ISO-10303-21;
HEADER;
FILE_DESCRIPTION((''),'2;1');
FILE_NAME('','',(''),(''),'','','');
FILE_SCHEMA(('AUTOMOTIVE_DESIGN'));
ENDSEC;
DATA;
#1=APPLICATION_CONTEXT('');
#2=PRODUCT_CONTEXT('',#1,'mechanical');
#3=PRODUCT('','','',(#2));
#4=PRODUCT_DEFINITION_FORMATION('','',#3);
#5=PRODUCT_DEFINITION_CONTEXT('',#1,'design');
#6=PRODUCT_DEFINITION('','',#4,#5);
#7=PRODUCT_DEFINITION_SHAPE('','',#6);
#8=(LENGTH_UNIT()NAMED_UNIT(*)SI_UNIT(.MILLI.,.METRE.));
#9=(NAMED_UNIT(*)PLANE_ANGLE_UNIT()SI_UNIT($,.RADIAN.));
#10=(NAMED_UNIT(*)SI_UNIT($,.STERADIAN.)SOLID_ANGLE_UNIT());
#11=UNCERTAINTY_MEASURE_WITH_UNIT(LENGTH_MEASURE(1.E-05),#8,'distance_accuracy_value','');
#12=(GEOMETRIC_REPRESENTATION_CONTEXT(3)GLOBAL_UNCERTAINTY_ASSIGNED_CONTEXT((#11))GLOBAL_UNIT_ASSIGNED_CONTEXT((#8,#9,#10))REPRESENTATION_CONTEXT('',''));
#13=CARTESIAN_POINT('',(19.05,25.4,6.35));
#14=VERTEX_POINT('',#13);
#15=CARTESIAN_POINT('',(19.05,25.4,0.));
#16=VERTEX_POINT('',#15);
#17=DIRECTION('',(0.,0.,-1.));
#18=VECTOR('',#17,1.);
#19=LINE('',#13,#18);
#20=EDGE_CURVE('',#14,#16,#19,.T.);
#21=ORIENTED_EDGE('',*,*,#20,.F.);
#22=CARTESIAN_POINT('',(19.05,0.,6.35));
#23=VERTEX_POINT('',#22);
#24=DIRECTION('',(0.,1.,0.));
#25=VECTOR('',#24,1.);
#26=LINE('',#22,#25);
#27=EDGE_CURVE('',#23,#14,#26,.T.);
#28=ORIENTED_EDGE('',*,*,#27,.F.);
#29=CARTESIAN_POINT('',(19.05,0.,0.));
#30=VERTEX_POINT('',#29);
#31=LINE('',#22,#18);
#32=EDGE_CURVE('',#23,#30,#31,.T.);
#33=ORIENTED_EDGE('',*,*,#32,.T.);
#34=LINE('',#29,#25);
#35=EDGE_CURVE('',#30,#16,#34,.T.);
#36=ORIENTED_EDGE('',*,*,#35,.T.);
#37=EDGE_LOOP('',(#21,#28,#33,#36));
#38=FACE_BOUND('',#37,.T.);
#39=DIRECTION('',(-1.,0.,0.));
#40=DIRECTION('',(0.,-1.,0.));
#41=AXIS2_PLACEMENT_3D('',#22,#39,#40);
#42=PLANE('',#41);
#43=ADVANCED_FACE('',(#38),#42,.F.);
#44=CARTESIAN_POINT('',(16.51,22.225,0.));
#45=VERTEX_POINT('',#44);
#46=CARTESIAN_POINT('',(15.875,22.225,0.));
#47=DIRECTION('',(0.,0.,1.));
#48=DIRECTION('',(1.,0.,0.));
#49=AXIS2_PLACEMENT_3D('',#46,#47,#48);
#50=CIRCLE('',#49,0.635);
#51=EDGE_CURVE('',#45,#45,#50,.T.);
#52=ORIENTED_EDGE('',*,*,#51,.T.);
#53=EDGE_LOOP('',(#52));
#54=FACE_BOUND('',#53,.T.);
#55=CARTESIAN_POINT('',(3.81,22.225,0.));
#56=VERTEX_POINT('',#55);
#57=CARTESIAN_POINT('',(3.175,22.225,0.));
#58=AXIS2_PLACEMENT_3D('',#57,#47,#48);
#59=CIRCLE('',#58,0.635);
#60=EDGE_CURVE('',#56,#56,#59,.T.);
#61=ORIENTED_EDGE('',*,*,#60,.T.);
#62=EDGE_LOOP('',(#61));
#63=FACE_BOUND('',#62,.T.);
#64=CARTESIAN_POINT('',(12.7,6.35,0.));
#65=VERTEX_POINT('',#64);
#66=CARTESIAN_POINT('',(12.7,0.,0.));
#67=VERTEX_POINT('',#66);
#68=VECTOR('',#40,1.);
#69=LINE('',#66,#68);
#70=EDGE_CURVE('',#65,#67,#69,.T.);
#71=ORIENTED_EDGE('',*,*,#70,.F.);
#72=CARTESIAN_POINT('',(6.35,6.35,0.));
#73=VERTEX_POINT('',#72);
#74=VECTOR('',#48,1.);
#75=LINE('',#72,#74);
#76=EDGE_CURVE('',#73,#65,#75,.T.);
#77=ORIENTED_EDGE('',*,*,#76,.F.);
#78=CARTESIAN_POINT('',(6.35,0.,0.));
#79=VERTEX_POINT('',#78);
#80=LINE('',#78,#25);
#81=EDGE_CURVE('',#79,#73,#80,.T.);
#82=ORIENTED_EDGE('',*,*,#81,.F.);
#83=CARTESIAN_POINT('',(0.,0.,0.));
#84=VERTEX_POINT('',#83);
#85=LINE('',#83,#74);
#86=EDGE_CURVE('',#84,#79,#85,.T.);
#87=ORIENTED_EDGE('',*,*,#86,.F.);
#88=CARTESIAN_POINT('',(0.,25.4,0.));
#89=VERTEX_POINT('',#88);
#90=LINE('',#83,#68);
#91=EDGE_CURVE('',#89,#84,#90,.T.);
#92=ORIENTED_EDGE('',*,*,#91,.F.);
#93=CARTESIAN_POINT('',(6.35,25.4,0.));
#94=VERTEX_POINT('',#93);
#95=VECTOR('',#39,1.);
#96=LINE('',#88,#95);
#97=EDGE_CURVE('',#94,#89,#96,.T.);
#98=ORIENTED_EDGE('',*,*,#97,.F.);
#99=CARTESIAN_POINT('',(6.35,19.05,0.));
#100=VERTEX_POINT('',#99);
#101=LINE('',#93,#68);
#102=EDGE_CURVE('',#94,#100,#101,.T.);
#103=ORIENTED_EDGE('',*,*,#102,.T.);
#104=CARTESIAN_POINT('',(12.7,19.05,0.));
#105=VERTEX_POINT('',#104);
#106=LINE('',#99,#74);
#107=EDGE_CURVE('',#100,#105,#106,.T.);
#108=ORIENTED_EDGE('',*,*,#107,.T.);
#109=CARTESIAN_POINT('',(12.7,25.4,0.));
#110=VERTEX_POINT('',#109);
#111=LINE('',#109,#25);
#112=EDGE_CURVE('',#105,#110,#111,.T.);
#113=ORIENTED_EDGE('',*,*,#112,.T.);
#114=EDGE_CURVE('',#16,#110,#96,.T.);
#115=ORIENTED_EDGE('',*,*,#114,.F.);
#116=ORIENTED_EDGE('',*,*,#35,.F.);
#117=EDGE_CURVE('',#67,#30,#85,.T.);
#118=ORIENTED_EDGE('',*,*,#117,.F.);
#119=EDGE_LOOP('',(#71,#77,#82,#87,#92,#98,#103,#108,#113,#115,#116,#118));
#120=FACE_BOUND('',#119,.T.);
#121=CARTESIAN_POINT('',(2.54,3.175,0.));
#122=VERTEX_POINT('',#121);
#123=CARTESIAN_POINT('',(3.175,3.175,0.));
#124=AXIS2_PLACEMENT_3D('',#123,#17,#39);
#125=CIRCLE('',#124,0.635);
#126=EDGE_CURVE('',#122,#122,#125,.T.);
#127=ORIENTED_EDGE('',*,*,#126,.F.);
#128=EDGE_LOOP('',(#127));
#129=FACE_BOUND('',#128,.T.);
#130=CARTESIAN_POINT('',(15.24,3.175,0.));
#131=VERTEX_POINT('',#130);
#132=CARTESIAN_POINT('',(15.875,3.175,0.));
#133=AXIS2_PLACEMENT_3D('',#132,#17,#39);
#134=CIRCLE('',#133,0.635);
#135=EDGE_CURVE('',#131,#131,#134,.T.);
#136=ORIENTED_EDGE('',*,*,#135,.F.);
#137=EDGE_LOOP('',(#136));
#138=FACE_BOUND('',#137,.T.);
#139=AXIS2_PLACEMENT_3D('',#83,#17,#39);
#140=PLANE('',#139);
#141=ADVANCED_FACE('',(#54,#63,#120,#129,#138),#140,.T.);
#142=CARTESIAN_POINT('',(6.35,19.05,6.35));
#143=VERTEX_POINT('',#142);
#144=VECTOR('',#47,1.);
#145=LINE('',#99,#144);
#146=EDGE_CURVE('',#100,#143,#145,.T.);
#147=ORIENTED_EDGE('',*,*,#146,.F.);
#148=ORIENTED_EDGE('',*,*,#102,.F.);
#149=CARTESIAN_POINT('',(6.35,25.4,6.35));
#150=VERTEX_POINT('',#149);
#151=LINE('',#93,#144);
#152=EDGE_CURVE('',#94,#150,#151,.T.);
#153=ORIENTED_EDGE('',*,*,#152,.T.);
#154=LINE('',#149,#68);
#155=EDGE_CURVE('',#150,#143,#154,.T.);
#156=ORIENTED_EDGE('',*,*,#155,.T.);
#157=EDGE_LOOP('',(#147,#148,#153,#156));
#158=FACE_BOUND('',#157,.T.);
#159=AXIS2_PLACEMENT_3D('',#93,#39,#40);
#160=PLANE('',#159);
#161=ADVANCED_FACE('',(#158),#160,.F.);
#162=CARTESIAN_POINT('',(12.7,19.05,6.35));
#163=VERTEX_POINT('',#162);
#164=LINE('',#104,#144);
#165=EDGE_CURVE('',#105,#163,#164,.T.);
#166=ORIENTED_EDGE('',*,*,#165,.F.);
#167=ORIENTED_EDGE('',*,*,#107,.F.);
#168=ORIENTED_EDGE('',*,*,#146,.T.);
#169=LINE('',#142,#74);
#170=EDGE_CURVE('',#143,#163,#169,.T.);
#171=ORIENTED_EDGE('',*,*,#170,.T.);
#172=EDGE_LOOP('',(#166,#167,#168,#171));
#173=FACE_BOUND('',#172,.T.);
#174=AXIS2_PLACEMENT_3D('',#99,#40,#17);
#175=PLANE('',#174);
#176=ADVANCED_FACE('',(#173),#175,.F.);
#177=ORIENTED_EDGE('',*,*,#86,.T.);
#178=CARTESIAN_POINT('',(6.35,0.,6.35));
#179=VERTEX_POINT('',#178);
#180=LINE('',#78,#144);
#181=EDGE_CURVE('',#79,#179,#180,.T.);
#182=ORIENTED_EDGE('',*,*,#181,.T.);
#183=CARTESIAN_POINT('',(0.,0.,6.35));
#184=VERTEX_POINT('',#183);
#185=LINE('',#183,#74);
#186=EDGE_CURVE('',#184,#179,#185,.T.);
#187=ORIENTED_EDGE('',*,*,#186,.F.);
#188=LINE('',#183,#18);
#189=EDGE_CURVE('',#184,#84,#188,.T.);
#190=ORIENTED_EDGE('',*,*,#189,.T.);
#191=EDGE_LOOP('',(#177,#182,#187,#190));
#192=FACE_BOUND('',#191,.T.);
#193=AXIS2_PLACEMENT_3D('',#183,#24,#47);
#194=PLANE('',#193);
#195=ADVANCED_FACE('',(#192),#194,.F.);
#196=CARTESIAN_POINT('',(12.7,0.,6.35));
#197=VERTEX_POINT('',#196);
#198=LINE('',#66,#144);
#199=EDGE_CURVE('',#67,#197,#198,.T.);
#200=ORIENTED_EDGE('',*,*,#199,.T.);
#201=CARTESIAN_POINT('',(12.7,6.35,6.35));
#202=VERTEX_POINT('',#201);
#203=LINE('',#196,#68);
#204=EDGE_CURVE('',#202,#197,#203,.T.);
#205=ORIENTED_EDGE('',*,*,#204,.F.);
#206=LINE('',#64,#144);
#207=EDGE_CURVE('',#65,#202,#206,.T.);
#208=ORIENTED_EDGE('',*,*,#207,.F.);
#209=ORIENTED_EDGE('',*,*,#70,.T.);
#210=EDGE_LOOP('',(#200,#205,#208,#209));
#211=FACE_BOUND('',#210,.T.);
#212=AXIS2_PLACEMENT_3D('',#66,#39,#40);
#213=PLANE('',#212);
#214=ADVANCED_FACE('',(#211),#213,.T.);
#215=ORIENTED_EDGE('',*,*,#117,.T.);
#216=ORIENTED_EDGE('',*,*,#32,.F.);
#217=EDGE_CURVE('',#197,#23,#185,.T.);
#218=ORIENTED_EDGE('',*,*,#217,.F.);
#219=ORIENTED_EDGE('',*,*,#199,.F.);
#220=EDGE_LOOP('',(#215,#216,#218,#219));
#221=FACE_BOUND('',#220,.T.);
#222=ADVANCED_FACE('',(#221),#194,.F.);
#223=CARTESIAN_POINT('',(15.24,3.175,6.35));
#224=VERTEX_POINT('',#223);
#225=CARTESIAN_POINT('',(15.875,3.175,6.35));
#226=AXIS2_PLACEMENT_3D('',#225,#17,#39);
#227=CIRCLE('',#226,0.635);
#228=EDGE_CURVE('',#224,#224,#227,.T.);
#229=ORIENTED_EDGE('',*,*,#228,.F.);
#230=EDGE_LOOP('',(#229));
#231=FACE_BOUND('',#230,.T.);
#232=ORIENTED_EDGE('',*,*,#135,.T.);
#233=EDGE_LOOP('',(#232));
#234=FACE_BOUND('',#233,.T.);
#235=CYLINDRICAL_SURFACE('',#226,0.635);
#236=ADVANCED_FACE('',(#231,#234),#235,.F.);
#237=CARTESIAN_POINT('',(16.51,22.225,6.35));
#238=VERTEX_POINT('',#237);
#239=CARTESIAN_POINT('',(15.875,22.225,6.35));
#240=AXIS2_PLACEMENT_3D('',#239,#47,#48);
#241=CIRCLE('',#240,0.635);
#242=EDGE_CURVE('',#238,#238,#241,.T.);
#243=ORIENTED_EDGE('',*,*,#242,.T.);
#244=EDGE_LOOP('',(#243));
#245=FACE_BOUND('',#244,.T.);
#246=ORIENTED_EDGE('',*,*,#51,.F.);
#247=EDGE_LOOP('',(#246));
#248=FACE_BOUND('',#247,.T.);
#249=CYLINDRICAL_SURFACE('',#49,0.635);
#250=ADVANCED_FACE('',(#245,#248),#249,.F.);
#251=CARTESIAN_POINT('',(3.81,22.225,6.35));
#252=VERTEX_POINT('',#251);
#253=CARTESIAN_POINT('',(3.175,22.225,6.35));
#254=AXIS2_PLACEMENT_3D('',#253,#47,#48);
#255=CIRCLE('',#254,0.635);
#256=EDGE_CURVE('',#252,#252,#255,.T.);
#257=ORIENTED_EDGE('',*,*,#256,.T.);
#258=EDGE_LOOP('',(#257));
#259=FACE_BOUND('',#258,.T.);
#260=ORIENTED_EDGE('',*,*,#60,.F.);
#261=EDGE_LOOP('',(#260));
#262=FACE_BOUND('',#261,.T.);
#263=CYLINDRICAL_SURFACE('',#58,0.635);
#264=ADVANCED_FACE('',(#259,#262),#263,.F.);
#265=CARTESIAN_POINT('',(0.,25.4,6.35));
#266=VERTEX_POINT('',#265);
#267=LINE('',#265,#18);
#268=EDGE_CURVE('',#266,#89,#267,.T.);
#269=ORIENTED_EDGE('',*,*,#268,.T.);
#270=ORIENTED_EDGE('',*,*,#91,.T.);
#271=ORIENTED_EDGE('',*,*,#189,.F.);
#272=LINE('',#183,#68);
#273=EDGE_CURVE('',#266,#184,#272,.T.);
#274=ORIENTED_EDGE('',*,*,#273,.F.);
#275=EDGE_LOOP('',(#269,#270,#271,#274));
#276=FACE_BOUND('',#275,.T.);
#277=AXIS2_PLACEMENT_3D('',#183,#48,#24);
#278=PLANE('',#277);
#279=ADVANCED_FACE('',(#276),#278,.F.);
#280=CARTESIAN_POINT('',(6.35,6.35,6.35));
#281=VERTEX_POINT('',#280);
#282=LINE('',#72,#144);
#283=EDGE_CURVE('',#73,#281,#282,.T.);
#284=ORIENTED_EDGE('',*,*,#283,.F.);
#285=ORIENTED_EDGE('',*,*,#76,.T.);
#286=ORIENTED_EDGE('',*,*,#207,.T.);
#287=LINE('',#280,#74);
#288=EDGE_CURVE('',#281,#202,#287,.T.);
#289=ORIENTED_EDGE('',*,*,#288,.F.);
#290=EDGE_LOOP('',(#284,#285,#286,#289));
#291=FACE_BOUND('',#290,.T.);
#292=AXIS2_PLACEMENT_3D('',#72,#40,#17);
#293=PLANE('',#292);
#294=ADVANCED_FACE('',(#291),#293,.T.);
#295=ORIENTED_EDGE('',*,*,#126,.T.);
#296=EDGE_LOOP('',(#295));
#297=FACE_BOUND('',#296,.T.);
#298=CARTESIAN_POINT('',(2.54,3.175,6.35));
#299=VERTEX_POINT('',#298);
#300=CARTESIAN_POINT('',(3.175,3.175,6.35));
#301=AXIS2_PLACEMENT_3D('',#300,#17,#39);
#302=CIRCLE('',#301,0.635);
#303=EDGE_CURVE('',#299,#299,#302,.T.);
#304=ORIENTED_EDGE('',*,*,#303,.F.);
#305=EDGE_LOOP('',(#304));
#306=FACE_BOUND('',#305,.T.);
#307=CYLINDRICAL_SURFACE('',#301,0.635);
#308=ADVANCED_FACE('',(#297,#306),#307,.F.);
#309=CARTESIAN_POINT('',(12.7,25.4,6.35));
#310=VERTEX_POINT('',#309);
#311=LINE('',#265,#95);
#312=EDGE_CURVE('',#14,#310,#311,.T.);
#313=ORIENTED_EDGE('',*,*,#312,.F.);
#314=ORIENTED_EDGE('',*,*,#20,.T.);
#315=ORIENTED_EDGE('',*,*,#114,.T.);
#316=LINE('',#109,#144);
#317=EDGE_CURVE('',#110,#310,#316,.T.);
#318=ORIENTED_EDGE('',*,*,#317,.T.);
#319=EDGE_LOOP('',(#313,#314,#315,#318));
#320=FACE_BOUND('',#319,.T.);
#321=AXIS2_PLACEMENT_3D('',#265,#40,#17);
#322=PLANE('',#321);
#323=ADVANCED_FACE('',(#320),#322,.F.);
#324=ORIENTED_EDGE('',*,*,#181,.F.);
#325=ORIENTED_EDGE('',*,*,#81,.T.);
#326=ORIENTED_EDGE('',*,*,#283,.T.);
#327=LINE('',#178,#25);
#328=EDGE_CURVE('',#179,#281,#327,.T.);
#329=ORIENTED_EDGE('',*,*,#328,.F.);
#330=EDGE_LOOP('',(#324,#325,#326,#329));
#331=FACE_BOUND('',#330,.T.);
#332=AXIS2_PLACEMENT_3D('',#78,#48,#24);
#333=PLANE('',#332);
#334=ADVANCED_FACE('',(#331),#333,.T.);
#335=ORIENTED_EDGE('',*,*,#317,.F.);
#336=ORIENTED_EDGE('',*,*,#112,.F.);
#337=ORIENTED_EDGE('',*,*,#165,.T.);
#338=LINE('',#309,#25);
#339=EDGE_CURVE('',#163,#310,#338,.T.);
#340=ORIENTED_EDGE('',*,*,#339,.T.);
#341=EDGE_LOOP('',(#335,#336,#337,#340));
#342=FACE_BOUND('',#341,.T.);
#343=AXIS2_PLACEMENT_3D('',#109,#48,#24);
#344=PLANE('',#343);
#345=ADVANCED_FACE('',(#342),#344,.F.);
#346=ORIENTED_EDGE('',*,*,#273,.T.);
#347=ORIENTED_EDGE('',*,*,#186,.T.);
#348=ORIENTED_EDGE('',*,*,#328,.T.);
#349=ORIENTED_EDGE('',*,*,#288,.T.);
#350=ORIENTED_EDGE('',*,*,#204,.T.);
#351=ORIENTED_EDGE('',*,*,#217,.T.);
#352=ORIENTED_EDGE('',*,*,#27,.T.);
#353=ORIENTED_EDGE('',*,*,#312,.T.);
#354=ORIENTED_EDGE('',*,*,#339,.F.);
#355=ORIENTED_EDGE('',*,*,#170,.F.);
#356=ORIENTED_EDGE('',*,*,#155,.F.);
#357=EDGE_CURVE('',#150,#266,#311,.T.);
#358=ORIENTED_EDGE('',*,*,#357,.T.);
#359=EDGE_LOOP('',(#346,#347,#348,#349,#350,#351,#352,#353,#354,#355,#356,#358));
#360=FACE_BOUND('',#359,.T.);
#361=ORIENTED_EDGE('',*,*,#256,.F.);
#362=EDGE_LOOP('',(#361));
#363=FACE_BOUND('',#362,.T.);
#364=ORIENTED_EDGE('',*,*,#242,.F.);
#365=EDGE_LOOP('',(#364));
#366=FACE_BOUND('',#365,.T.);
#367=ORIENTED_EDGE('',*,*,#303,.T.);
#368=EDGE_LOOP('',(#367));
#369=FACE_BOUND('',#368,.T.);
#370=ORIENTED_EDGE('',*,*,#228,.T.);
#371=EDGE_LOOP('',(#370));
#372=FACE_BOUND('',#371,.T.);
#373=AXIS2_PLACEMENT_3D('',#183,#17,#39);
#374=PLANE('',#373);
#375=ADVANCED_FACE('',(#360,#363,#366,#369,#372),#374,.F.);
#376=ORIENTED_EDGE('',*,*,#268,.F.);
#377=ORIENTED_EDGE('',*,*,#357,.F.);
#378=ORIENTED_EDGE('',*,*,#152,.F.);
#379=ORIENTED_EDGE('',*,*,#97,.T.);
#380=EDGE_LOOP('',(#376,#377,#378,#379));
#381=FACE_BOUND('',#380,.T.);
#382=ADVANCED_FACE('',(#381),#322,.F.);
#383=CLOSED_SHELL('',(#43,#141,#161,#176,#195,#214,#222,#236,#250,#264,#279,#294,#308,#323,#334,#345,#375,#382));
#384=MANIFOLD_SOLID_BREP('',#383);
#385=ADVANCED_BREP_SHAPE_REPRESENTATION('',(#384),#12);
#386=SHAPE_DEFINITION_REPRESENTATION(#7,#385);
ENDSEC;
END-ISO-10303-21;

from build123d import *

# Parameters (mm, degrees)
SKETCH1_W           = 19.05
SKETCH1_H           = 25.4
BOSS_EXTRUDE1_DEPTH = 6.35
SKETCH2_W           = 6.35
SKETCH2_H           = 6.35
CUT_EXTRUDE1_DEPTH  = 7.35
SKETCH6_R           = 0.635
CUT_EXTRUDE2_DEPTH  = 7.35
SKETCH7_R           = 0.635
CUT_EXTRUDE3_DEPTH  = 7.35


with BuildPart() as part:
    # Sketch1 → Boss-Extrude1 (new body)
    with BuildSketch(Plane.XY):
        with Locations((9.525, 12.7)):
            Rectangle(SKETCH1_W, SKETCH1_H)
    extrude(amount=BOSS_EXTRUDE1_DEPTH)

    # Sketch2 → Cut-Extrude1 (cut, through all)
    with BuildSketch(Plane.XY.offset(6.35)):
        with Locations((9.525, 22.225)):
            Rectangle(SKETCH2_W, SKETCH2_H)
    cut_extrude1 = extrude(amount=-CUT_EXTRUDE1_DEPTH, mode=Mode.SUBTRACT)

    # Mirror1: Cut-Extrude1 across plane
    add(cut_extrude1.mirror(Plane.ZX.offset(12.7)), mode=Mode.SUBTRACT)

    # Sketch6 → Cut-Extrude2 (cut, through all)
    with BuildSketch(Plane.XY.offset(6.35)):
        with Locations((3.175, 22.225)):
            Circle(SKETCH6_R)
        with Locations((15.875, 22.225)):
            Circle(SKETCH6_R)
    extrude(amount=-CUT_EXTRUDE2_DEPTH, mode=Mode.SUBTRACT)

    # Sketch7 → Cut-Extrude3 (cut, through all)
    with BuildSketch(Plane(origin=(0, 0, 0), x_dir=(-1, 0, 0), z_dir=(0, 0, -1))):
        with Locations((-15.875, 3.175)):
            Circle(SKETCH7_R)
        with Locations((-3.175, 3.175)):
            Circle(SKETCH7_R)
    extrude(amount=-CUT_EXTRUDE3_DEPTH, mode=Mode.SUBTRACT)


solid = part.part
